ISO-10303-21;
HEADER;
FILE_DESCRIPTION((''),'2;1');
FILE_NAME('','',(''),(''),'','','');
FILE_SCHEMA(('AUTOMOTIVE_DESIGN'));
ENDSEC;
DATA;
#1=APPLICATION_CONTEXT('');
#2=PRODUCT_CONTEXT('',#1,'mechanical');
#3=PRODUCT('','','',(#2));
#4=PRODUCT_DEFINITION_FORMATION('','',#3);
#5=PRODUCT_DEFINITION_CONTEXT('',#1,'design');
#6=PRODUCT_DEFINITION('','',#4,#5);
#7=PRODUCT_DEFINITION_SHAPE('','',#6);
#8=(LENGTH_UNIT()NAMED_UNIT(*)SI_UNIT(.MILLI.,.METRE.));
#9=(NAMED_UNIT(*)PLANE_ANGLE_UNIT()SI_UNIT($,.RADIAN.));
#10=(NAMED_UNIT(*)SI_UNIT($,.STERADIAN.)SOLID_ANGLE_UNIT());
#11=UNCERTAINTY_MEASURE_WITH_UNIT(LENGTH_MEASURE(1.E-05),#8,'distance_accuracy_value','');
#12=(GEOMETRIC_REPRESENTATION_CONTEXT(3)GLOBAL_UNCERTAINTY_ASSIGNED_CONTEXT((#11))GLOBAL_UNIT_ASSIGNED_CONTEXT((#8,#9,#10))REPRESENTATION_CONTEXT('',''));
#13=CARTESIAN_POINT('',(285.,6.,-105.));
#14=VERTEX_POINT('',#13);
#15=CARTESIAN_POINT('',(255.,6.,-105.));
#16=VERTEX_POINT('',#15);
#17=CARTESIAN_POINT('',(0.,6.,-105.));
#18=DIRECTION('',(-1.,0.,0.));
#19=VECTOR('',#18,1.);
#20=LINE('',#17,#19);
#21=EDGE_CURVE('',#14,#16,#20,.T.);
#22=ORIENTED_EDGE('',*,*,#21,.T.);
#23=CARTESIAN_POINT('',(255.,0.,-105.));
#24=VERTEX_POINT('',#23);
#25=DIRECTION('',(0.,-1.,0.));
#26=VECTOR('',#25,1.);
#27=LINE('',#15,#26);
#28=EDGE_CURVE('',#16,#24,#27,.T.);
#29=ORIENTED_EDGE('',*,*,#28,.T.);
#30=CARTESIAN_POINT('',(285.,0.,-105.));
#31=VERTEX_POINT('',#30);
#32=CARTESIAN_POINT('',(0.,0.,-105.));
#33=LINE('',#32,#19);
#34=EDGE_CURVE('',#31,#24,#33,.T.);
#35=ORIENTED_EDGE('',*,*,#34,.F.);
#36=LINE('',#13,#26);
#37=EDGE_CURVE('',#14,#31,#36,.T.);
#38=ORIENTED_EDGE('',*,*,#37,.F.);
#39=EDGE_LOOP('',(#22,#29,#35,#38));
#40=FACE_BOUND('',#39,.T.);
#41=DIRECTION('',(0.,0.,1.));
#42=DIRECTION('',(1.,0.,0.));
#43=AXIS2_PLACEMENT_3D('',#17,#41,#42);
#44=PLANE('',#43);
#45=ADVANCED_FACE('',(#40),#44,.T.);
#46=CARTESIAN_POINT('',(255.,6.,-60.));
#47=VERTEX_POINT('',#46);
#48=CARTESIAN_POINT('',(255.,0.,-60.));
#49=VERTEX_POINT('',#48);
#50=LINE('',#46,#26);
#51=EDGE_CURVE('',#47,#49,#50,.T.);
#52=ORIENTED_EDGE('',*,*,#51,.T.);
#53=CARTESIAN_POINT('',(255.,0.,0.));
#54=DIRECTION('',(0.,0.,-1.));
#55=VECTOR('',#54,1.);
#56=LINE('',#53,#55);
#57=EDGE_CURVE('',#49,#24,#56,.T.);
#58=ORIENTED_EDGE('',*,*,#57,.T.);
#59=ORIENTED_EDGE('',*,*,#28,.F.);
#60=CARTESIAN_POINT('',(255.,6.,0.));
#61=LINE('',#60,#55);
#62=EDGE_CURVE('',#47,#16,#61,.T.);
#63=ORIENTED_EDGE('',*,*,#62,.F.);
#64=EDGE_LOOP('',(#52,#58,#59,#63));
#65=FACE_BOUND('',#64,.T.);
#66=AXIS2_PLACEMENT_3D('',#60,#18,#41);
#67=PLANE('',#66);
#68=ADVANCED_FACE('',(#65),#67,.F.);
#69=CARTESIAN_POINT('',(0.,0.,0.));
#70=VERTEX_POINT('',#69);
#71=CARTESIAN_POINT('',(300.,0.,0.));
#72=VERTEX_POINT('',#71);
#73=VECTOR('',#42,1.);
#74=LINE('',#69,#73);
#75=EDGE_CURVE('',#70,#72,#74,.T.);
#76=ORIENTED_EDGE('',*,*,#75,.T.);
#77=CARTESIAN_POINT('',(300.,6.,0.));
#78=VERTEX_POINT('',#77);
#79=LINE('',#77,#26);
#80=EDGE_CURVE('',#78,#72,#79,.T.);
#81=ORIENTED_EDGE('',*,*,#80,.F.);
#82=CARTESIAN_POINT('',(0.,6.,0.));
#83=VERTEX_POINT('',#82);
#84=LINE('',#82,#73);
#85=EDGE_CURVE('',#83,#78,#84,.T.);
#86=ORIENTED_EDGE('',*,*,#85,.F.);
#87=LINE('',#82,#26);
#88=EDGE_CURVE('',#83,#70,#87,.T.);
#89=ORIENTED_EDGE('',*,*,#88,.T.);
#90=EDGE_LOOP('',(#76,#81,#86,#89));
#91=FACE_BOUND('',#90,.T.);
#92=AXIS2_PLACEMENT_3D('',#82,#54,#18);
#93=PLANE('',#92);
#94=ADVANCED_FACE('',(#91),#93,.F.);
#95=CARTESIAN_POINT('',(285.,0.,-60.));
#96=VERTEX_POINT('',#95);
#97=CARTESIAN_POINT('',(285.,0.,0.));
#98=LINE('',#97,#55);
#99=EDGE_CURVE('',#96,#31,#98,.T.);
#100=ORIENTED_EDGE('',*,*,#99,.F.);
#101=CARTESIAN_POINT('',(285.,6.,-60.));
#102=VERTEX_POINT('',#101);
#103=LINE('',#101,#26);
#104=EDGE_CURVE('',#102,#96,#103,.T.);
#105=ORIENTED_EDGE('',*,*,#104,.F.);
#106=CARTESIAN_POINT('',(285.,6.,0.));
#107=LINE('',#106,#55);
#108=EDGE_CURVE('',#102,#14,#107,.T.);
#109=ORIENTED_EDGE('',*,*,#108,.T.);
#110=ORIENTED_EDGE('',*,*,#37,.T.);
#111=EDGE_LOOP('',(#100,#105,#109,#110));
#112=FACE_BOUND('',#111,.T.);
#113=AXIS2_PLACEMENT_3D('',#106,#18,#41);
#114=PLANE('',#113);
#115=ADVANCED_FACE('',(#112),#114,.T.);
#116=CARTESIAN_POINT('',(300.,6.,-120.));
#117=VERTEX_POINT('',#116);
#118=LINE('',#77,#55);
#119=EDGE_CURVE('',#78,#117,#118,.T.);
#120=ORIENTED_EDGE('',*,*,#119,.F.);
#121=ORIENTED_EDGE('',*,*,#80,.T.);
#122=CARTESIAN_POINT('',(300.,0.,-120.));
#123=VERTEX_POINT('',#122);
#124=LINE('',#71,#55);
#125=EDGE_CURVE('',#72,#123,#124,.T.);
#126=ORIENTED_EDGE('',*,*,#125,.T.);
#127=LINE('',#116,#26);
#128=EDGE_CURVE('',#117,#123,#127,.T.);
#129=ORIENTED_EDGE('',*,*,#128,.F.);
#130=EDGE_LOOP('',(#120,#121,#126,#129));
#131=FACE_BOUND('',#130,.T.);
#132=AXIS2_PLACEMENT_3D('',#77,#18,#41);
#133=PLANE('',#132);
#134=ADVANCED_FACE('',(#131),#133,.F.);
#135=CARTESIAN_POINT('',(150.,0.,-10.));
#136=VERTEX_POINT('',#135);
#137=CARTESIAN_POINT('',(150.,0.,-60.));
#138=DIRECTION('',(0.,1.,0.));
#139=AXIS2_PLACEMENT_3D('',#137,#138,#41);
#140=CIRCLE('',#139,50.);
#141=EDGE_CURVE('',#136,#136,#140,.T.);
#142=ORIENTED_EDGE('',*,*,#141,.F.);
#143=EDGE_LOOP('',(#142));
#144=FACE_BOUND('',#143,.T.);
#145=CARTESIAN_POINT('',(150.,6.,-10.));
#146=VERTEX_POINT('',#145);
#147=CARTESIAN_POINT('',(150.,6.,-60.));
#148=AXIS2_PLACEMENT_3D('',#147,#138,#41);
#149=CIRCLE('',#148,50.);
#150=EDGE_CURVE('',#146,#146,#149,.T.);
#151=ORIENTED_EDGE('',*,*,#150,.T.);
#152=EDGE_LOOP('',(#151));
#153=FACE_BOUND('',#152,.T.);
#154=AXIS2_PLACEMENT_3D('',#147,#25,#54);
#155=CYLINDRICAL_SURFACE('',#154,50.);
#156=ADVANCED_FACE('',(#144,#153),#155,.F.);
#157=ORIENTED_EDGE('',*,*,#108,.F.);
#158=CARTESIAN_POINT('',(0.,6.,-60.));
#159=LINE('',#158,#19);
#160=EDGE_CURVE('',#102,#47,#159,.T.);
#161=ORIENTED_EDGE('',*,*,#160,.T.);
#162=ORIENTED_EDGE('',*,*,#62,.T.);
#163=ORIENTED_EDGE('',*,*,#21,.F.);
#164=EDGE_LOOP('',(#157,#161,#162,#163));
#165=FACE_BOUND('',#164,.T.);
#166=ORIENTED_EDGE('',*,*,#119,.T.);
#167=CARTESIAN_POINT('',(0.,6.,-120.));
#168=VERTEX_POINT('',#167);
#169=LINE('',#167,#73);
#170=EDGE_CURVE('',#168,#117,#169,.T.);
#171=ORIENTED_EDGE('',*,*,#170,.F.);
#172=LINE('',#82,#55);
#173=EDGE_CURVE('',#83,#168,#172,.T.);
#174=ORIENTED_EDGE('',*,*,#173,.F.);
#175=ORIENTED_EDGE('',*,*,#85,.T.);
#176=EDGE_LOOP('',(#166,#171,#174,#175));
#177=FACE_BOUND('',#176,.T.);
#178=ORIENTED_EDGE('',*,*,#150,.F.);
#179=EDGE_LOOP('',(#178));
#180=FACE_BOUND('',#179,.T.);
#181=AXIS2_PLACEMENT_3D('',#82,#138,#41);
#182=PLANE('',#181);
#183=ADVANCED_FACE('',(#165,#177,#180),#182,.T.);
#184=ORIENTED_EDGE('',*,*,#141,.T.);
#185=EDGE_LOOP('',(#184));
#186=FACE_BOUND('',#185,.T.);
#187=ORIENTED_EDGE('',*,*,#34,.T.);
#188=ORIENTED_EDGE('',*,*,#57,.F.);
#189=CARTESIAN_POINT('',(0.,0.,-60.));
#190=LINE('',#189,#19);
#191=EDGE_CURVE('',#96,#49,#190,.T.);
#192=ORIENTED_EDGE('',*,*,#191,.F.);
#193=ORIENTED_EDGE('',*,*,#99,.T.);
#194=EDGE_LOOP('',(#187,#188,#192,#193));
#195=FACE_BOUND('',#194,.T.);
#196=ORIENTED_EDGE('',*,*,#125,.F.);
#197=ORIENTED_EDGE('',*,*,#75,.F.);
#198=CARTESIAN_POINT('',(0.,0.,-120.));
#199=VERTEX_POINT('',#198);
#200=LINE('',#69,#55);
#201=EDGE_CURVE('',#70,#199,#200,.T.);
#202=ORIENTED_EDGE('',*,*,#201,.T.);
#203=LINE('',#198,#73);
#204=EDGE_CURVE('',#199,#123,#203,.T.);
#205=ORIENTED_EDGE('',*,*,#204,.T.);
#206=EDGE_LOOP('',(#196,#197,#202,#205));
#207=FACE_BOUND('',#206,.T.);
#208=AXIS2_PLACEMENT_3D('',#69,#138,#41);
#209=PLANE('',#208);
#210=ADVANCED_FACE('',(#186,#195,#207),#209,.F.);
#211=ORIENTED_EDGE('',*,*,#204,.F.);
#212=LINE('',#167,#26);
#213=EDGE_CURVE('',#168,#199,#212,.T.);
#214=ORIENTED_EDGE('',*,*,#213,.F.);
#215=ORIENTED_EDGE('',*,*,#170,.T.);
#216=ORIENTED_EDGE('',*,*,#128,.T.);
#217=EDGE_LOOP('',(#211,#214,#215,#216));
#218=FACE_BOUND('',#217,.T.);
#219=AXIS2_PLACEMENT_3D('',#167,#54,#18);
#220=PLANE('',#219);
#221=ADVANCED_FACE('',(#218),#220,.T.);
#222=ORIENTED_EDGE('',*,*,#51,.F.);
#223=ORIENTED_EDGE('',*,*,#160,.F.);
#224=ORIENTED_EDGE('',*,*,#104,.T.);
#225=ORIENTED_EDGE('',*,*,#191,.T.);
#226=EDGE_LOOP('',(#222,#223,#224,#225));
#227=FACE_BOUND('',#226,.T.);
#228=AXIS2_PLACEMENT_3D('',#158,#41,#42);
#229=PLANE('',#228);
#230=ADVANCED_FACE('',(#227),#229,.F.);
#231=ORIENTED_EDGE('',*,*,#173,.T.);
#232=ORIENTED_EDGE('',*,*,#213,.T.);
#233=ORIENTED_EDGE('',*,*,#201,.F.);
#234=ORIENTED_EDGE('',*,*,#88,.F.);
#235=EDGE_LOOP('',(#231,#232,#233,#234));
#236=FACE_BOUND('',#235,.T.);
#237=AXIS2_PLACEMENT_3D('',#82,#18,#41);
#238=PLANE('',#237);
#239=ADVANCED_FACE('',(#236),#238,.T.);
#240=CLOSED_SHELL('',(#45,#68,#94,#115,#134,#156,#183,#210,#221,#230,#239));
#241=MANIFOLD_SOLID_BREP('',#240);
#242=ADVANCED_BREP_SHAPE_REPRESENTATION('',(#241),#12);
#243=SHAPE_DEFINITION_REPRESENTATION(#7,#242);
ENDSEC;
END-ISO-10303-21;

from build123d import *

# Parameters (mm, degrees)
SKETCH1_W           = 300
SKETCH1_H           = 120
SKETCH1_R           = 50
SKETCH1_W_2         = 30
SKETCH1_H_2         = 45
BOSS_EXTRUDE1_DEPTH = 6


with BuildPart() as part:
    # Sketch1 → Boss-Extrude1 (new body)
    with BuildSketch(Plane(origin=(0, 0, 0), x_dir=(1, 0, 0), z_dir=(0, 1, 0))):
        with Locations((150, 60)):
            Rectangle(SKETCH1_W, SKETCH1_H)
        with Locations((150, 60)):
            Circle(SKETCH1_R, mode=Mode.SUBTRACT)
        with Locations((270, 82.5)):
            Rectangle(SKETCH1_W_2, SKETCH1_H_2, mode=Mode.SUBTRACT)
    extrude(amount=BOSS_EXTRUDE1_DEPTH)


solid = part.part
